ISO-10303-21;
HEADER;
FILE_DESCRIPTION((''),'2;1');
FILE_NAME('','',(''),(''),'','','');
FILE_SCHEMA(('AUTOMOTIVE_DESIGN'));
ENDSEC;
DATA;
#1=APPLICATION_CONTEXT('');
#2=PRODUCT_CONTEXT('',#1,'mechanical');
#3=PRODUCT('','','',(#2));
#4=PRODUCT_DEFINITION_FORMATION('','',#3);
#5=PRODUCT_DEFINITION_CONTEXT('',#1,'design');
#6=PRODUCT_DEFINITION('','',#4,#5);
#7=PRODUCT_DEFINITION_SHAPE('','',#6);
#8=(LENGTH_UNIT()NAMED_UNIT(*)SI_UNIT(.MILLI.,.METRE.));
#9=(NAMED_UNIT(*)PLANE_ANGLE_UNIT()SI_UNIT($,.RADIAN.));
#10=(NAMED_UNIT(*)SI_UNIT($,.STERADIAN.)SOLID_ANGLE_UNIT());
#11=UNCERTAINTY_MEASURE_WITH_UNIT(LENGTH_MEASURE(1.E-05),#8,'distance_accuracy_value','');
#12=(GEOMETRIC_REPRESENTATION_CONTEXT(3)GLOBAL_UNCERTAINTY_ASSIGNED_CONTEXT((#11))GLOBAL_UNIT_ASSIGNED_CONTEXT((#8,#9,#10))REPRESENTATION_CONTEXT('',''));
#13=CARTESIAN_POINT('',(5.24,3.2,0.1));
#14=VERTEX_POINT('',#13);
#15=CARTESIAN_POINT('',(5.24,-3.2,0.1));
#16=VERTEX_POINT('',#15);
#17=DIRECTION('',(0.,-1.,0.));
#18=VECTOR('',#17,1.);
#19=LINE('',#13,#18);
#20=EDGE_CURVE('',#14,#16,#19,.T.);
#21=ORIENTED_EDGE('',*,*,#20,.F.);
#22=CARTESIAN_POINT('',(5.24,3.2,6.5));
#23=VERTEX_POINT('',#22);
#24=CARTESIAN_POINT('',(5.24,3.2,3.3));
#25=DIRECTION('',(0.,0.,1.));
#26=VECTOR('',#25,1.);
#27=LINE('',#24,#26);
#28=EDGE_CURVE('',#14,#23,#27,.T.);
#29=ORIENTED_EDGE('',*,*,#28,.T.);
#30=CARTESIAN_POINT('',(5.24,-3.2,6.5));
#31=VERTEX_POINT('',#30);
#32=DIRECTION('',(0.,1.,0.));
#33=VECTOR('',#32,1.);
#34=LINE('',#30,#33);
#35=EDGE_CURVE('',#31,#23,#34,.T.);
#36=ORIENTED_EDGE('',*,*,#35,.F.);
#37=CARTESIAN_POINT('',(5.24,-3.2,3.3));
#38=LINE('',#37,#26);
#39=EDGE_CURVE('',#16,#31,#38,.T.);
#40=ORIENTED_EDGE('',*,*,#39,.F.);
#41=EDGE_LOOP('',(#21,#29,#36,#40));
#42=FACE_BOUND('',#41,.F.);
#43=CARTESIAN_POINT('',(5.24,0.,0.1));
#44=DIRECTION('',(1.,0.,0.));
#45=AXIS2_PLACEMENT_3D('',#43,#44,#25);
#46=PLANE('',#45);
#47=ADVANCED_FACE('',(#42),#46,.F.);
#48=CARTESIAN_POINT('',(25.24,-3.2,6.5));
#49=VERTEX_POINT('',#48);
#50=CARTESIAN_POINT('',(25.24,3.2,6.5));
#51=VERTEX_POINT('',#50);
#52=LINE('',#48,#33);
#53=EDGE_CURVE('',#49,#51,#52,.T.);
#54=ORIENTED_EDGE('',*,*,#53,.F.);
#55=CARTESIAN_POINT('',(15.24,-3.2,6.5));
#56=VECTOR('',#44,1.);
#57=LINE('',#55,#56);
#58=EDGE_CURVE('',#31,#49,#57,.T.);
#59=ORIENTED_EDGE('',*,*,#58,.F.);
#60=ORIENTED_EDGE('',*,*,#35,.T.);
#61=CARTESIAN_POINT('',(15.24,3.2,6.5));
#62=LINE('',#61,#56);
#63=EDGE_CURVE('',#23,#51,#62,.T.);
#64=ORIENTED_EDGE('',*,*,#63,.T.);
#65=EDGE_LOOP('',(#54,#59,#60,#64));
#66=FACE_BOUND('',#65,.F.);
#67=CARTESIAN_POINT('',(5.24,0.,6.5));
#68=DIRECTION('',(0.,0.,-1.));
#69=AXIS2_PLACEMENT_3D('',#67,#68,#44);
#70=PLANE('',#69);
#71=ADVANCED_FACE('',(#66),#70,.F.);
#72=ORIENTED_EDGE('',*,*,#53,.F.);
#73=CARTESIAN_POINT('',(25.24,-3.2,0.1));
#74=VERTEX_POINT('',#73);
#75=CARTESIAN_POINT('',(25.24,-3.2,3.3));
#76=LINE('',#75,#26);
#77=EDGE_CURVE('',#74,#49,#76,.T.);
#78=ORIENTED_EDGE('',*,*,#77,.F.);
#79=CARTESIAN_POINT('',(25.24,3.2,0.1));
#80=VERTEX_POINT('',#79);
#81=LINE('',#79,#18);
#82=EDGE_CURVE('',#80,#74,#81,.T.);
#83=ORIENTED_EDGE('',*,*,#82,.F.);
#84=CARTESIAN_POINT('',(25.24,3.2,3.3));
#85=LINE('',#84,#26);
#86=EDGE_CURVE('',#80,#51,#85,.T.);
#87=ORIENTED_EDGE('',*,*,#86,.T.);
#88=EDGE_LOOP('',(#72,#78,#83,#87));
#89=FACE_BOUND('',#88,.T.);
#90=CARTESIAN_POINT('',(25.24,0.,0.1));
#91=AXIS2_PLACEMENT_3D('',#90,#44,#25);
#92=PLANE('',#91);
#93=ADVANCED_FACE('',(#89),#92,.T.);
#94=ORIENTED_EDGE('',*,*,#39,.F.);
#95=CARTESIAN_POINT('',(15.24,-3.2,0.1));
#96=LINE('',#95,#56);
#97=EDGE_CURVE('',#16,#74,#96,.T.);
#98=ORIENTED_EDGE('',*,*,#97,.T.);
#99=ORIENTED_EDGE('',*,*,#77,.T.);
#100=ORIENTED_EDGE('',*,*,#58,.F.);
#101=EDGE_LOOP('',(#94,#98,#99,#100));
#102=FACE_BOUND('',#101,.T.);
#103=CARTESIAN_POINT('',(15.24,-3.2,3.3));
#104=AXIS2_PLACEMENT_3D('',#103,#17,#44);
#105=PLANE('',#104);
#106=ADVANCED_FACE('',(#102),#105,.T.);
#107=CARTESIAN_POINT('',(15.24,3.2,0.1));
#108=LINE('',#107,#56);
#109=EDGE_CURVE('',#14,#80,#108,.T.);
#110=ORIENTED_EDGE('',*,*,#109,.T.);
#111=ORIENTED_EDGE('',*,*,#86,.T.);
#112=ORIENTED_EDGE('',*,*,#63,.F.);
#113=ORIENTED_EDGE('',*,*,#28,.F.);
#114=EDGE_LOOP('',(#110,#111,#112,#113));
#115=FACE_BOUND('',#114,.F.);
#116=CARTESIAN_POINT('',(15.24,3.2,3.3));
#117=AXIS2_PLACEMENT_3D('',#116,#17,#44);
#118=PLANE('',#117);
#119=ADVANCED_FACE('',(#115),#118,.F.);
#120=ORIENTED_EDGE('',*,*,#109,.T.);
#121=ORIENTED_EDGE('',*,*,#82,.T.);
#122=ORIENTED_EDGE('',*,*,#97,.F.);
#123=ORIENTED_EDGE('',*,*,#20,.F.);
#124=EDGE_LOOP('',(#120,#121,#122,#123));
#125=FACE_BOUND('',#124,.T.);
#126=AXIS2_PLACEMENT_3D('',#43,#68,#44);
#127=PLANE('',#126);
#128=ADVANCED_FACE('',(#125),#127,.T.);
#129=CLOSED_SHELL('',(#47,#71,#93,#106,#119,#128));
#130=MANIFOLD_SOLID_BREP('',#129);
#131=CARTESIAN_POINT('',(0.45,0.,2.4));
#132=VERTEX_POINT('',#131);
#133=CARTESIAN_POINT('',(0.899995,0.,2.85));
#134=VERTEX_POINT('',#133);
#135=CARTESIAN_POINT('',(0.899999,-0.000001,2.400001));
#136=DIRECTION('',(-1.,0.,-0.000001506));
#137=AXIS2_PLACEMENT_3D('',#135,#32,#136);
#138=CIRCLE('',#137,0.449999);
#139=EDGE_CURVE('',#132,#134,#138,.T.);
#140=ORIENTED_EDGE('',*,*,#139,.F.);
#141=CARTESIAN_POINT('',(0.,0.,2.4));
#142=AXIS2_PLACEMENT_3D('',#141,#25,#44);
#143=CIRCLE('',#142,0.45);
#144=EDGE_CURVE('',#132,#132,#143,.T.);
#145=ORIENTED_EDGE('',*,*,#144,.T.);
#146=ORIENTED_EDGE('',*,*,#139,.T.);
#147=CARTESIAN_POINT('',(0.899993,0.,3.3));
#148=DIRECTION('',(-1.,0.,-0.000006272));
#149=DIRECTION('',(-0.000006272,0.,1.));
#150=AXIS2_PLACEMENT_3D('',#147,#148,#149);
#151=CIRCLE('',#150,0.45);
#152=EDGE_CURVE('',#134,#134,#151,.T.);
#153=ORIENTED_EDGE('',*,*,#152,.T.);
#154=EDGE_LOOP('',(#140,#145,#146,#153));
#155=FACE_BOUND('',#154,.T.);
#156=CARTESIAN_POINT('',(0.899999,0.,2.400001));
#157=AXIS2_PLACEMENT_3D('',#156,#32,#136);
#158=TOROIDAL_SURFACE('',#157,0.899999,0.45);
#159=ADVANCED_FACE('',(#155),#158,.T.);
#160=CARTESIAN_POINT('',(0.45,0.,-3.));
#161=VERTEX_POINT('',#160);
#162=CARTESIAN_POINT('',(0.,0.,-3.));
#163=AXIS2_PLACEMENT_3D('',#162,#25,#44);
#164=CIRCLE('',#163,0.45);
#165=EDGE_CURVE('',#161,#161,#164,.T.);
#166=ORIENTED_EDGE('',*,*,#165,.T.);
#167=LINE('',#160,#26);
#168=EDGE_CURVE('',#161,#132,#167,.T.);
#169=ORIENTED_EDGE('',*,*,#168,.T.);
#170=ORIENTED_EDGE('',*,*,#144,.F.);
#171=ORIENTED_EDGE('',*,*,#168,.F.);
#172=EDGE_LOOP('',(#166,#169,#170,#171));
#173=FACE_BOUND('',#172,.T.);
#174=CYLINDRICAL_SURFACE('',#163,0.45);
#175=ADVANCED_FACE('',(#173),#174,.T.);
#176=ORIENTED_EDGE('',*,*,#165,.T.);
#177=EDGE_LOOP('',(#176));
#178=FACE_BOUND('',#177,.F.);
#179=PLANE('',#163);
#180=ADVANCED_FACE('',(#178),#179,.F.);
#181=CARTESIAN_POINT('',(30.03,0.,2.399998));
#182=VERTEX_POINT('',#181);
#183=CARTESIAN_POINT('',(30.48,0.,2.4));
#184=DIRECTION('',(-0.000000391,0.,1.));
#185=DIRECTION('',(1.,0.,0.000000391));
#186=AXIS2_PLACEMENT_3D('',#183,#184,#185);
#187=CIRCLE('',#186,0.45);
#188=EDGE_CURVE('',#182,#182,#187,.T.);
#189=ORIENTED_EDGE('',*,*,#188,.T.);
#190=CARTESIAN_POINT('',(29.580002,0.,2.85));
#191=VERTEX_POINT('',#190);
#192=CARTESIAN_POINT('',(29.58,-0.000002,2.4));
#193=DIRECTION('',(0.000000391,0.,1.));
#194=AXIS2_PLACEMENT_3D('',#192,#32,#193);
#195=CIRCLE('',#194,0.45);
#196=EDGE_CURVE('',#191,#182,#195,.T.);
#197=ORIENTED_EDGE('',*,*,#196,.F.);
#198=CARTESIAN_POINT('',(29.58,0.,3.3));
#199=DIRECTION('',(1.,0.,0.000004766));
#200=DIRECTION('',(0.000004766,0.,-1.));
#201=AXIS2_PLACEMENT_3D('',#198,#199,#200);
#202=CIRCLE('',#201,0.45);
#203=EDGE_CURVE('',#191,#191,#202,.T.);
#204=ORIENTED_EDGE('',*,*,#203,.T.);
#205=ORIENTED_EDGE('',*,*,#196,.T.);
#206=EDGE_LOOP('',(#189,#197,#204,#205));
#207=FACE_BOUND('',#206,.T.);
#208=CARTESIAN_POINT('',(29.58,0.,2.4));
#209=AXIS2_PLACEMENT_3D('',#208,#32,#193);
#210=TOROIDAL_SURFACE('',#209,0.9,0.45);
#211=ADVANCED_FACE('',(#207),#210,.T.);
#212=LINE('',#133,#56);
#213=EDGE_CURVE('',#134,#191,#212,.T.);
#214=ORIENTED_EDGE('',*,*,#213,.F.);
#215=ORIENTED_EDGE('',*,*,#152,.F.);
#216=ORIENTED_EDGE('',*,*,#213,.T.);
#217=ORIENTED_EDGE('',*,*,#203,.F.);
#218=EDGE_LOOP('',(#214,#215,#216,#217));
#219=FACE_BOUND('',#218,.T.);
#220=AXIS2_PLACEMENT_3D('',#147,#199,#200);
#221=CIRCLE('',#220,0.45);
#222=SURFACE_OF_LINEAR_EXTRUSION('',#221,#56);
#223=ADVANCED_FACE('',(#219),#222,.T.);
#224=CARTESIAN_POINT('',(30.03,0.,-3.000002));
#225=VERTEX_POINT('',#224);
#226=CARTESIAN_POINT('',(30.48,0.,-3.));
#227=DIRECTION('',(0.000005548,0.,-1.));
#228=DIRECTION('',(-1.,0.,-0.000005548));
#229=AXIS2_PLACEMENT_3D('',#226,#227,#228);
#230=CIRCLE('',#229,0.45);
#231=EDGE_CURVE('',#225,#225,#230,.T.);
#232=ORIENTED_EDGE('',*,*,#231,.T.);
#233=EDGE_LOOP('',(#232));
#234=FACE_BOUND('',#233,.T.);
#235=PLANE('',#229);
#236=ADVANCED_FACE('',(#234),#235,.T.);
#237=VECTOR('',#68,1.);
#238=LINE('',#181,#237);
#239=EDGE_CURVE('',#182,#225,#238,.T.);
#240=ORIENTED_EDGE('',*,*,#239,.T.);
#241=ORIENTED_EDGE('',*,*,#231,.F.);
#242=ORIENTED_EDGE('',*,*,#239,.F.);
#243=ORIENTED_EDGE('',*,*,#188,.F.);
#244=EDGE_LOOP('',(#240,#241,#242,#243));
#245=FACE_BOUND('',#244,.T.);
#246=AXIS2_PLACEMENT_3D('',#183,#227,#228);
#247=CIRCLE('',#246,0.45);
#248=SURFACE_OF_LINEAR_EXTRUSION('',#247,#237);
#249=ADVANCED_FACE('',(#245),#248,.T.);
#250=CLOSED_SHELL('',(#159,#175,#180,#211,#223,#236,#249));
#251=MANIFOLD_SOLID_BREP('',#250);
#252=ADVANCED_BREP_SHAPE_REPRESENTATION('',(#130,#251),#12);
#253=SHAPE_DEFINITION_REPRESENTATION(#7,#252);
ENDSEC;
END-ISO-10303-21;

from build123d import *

# Parameters (mm, degrees)
SKETCH_R    = 0.45
SKETCH002_W = 20
SKETCH002_H = 6.4
PAD_DEPTH   = 3.2


with BuildPart() as sweep_body:
    # Sweep: sweep along a path in Sketch001
    with BuildLine(Plane.XZ) as sweep_path:
        Line((0, -3), (0, 2.4))
        ThreePointArc((0, 2.4), (0.263601, 3.036394), (0.899993, 3.3))
        Line((0.899993, 3.3), (29.58, 3.3))
        ThreePointArc((29.58, 3.3), (30.216396, 3.036396), (30.48, 2.4))
        Line((30.48, 2.4), (30.48, -3))
    # Sketch → Sweep (sweep)
    with BuildSketch(Plane.XY.offset(-2)):
        Circle(SKETCH_R)
    sweep(path=sweep_path.line)


with BuildPart() as pad:
    # Sketch002 → Pad (new body, symmetric)
    with BuildSketch(Plane.XZ):
        with Locations((15.24, 3.3)):
            Rectangle(SKETCH002_W, SKETCH002_H)
    extrude(amount=PAD_DEPTH, both=True)


solid = Compound([sweep_body.part, pad.part])
